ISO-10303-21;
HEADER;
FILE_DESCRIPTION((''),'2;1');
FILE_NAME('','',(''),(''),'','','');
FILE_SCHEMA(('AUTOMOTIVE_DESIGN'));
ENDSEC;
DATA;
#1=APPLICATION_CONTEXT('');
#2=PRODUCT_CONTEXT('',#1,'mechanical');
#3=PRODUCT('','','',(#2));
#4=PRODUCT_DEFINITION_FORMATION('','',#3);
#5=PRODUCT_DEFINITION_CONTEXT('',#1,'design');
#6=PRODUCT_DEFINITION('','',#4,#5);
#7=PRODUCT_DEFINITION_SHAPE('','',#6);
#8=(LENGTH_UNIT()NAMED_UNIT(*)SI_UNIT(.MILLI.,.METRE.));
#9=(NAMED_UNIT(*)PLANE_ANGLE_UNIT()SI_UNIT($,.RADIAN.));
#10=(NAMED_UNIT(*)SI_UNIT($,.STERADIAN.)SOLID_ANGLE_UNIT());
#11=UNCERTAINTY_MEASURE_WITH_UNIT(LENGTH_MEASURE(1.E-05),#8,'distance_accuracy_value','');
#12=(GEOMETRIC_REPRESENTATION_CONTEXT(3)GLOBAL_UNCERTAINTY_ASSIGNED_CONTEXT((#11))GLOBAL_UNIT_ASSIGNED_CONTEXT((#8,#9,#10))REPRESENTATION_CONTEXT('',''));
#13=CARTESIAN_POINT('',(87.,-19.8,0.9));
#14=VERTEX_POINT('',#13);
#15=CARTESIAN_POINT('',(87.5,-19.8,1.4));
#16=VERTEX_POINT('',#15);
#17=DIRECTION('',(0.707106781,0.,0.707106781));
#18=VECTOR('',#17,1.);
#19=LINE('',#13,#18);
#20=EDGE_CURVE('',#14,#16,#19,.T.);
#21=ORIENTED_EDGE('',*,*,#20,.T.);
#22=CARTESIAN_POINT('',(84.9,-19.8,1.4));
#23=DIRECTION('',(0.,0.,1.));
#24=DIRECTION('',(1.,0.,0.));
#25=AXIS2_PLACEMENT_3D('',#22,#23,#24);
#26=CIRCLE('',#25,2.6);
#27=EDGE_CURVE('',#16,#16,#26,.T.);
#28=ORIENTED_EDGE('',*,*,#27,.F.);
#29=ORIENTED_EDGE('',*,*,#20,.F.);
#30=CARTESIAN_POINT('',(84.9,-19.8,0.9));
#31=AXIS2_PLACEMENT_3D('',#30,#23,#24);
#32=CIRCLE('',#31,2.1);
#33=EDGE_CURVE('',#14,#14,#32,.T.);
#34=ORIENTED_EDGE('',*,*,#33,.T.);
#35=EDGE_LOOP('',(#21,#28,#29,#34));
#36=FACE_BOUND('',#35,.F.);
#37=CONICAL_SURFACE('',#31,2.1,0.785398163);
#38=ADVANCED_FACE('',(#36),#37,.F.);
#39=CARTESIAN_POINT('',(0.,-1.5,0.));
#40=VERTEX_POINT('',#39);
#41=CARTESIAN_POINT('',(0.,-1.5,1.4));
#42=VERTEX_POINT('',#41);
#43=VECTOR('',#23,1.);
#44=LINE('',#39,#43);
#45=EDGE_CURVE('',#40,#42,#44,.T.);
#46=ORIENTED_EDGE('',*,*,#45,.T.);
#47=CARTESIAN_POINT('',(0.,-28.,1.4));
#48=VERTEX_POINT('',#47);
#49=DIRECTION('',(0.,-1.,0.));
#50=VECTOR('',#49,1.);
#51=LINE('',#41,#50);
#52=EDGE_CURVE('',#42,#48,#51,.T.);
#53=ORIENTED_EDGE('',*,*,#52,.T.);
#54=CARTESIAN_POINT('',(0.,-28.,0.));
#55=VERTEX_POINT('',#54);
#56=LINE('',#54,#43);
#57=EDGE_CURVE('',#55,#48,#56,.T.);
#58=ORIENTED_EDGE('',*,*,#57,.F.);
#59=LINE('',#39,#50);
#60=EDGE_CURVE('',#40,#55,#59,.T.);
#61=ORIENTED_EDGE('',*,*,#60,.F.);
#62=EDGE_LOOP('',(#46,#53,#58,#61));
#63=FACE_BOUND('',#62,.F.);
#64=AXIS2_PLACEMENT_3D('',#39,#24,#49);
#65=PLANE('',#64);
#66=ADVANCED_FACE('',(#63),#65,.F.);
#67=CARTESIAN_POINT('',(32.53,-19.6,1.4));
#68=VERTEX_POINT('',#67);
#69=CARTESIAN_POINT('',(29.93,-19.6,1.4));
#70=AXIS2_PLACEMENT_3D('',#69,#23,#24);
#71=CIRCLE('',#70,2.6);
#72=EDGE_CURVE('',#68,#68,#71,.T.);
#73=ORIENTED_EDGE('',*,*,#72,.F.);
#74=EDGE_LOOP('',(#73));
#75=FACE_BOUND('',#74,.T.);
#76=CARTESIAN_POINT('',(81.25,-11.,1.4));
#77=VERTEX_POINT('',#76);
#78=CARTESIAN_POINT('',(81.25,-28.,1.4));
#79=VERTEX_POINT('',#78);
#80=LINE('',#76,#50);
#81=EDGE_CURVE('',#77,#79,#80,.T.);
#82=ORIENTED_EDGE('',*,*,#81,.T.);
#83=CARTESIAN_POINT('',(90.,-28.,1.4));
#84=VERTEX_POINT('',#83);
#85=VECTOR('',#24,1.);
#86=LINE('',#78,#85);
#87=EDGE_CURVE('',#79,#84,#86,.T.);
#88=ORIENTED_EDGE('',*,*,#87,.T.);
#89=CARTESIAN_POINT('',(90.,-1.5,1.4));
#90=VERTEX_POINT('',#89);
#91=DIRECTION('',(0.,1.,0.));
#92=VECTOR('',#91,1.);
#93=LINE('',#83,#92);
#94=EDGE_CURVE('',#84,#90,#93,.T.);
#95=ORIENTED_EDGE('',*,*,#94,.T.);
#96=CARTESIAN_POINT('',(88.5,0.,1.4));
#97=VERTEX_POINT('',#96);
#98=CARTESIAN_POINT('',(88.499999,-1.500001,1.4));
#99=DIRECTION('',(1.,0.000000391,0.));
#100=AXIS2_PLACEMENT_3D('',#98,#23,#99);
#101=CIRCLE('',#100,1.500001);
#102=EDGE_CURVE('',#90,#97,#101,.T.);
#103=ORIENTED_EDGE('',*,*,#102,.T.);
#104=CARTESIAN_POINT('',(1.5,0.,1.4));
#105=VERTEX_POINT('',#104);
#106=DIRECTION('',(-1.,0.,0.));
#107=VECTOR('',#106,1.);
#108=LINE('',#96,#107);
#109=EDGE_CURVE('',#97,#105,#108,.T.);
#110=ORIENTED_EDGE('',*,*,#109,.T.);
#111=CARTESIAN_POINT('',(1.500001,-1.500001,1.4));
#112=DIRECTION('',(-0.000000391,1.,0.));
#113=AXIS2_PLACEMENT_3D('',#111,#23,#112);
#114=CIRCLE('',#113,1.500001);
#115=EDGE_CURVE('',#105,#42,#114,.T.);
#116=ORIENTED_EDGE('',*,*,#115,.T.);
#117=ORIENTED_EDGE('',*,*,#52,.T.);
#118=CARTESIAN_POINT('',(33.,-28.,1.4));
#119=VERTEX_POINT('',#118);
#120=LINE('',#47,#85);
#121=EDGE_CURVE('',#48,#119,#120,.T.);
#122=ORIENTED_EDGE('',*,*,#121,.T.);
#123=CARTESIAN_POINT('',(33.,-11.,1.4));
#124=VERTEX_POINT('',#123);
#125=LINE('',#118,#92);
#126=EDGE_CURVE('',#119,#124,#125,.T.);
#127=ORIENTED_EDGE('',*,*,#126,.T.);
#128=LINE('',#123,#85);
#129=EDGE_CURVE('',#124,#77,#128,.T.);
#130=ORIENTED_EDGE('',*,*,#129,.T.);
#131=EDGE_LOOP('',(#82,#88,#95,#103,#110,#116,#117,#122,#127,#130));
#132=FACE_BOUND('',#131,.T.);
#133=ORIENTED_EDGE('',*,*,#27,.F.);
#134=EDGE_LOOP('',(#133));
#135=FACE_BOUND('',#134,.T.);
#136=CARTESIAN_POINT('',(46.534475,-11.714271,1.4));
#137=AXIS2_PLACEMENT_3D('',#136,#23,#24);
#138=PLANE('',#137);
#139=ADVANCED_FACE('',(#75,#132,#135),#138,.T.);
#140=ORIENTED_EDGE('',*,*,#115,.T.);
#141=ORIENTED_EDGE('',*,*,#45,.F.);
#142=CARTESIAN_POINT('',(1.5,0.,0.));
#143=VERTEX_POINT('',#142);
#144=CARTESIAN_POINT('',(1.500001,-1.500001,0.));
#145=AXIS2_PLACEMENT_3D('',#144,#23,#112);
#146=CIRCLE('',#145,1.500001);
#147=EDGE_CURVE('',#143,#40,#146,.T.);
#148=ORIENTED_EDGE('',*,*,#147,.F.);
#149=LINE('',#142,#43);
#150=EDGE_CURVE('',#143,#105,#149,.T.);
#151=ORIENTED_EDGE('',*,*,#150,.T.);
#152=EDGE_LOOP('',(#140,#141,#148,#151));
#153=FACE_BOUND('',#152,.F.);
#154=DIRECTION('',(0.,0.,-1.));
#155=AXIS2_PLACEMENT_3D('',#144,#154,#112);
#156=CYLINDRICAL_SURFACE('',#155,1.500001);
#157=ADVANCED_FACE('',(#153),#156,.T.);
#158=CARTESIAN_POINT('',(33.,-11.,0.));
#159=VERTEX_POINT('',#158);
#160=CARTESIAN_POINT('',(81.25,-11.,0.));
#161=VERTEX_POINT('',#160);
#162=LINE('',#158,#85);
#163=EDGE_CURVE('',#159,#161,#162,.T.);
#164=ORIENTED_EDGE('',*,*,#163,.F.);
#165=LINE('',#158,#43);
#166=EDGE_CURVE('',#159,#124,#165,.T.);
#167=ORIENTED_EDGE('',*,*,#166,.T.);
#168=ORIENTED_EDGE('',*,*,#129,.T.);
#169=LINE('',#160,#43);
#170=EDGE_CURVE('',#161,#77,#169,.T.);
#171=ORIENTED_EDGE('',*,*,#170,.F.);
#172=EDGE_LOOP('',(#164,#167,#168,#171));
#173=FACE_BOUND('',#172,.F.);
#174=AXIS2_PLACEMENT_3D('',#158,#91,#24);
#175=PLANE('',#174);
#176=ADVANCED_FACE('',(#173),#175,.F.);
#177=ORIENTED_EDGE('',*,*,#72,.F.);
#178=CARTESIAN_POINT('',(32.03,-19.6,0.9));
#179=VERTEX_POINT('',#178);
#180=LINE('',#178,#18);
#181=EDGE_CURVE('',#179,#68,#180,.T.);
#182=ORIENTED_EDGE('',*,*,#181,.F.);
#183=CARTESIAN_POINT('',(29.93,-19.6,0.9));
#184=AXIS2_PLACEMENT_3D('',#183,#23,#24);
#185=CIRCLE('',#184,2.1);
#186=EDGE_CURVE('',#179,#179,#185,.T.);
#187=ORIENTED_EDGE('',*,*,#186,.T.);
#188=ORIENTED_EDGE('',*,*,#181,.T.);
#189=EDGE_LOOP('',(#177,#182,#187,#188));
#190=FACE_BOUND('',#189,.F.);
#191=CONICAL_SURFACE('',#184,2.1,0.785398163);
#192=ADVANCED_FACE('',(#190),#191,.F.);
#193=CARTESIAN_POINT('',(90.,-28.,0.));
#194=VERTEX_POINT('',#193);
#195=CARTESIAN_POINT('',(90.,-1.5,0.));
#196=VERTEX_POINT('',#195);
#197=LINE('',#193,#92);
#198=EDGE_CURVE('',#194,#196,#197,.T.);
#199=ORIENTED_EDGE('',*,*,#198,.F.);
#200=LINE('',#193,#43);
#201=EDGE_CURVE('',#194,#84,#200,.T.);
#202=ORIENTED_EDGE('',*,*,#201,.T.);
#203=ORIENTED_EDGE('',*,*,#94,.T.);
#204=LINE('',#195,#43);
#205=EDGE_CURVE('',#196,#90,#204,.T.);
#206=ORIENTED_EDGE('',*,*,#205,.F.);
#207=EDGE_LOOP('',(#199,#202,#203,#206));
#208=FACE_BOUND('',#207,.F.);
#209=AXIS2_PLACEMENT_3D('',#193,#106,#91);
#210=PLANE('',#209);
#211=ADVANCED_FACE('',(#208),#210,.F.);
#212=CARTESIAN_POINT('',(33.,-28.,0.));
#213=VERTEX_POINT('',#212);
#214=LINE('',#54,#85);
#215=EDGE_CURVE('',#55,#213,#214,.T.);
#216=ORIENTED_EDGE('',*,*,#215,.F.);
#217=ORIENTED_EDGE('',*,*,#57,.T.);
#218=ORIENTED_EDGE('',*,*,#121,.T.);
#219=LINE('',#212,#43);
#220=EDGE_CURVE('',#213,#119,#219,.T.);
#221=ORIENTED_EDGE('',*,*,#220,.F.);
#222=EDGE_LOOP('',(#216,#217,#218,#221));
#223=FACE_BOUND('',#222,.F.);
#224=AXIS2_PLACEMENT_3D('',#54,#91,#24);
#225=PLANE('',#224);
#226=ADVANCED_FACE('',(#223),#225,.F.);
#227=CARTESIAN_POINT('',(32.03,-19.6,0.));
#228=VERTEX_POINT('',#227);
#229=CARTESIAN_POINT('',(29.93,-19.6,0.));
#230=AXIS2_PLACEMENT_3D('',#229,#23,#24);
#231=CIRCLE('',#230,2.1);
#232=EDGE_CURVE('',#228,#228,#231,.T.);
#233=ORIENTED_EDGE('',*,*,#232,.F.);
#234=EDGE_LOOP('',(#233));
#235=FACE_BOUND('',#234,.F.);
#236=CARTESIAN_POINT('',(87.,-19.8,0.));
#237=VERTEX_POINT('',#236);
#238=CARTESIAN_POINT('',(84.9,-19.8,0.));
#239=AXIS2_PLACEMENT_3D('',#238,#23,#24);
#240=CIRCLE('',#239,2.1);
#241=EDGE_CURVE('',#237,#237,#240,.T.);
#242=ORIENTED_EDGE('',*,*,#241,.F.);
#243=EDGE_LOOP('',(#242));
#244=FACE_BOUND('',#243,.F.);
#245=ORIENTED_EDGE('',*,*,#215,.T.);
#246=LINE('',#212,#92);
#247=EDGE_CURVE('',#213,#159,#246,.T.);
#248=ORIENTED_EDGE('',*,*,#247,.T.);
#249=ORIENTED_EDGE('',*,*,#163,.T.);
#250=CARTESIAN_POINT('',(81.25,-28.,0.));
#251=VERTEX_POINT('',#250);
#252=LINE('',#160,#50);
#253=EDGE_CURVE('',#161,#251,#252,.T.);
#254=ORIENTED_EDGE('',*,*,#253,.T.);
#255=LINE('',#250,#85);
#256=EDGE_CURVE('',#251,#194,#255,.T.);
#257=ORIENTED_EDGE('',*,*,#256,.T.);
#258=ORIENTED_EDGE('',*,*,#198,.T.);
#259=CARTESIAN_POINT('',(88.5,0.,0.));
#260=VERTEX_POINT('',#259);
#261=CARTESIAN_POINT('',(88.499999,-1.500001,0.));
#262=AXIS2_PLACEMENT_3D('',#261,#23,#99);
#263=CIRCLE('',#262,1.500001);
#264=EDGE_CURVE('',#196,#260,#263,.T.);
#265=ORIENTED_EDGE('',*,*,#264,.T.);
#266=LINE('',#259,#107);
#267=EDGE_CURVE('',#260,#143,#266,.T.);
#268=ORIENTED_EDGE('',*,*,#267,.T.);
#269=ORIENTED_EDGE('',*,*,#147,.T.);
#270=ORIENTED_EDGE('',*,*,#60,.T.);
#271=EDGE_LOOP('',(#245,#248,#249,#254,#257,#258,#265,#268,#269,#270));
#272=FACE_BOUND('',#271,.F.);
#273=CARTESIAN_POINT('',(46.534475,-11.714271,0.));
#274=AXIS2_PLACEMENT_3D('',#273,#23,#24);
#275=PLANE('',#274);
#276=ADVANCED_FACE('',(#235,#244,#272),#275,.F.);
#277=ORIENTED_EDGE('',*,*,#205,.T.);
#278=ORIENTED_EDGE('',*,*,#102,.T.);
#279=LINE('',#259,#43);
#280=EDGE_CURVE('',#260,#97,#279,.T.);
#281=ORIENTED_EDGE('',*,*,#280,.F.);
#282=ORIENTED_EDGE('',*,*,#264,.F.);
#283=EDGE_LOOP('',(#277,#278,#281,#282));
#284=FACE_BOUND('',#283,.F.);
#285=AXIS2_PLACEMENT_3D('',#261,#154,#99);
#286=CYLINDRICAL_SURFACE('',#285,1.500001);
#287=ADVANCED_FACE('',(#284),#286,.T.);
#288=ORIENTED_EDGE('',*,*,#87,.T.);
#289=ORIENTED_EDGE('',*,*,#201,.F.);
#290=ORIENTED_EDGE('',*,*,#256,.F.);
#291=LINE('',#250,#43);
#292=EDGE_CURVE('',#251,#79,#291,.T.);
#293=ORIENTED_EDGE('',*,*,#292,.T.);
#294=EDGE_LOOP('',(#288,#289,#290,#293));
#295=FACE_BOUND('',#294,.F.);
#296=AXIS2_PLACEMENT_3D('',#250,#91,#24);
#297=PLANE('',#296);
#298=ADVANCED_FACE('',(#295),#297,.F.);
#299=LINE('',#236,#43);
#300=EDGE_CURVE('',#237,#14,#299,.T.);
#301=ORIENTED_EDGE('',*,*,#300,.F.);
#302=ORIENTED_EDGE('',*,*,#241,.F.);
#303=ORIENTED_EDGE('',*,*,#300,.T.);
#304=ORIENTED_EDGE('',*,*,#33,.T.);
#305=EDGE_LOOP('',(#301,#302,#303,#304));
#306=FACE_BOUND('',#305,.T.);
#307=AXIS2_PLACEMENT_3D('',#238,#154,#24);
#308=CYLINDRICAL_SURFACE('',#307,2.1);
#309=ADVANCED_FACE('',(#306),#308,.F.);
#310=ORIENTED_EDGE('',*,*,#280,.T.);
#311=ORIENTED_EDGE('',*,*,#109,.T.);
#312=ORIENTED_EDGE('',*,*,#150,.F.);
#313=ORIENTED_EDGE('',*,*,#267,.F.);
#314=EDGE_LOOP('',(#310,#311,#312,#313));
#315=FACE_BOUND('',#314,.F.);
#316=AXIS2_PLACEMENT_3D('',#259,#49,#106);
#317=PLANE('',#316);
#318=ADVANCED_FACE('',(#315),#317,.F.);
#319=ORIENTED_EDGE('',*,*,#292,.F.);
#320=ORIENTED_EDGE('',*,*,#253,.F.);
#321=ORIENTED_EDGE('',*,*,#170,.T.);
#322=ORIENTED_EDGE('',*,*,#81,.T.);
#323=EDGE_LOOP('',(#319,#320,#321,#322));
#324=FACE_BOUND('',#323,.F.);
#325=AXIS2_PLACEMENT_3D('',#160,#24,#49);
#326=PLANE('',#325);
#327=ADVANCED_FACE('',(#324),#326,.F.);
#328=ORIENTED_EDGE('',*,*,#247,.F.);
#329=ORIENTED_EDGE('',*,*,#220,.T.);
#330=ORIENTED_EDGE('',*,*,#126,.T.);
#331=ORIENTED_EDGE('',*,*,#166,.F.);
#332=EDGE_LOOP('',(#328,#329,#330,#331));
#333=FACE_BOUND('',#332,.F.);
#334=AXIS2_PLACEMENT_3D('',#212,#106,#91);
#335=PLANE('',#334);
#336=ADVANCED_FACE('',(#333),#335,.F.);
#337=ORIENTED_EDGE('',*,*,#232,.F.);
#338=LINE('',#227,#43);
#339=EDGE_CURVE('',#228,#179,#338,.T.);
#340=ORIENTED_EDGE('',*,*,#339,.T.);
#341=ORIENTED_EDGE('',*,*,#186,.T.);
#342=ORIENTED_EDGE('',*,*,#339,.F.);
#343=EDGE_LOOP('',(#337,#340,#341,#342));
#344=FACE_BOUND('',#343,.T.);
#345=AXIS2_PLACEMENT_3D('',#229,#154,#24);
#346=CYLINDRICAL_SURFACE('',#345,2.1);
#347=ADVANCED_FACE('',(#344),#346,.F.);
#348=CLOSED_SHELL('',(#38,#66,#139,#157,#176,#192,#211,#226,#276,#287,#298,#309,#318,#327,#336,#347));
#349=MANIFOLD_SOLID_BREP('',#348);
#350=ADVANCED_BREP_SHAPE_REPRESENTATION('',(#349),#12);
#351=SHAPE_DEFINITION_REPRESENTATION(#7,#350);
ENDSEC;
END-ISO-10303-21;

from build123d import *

# Parameters (mm, degrees)
F0_R     = 2.1
F1_DEPTH = 1.4
F2_SIZE  = 0.5


with BuildPart() as f1:
    # F0 (on Top) → F1 (new body)
    with BuildSketch(Plane.XY):
        with BuildLine():
            Line((88.5, 0), (1.5, 0))
            ThreePointArc((1.5, 0), (0.43934, -0.43934), (0, -1.5))
            Line((0, -1.5), (0, -28))
            Line((0, -28), (33, -28))
            Line((33, -28), (33, -11))
            Line((33, -11), (81.25, -11))
            Line((81.25, -11), (81.25, -28))
            Line((81.25, -28), (90, -28))
            Line((90, -28), (90, -1.5))
            ThreePointArc((90, -1.5), (89.56066, -0.43934), (88.5, 0))
        make_face()
        with Locations((29.93, -19.6)):
            Circle(F0_R, mode=Mode.SUBTRACT)
        with Locations((84.9, -19.8)):
            Circle(F0_R, mode=Mode.SUBTRACT)
    extrude(amount=F1_DEPTH)

    # F2
    f2_edges = [f1.edges().sort_by_distance(p)[0] for p in [
        (27.83, -19.6, 1.4),
        (82.8, -19.8, 1.4),
    ]]
    chamfer(f2_edges, length=F2_SIZE)


solid = f1.part
